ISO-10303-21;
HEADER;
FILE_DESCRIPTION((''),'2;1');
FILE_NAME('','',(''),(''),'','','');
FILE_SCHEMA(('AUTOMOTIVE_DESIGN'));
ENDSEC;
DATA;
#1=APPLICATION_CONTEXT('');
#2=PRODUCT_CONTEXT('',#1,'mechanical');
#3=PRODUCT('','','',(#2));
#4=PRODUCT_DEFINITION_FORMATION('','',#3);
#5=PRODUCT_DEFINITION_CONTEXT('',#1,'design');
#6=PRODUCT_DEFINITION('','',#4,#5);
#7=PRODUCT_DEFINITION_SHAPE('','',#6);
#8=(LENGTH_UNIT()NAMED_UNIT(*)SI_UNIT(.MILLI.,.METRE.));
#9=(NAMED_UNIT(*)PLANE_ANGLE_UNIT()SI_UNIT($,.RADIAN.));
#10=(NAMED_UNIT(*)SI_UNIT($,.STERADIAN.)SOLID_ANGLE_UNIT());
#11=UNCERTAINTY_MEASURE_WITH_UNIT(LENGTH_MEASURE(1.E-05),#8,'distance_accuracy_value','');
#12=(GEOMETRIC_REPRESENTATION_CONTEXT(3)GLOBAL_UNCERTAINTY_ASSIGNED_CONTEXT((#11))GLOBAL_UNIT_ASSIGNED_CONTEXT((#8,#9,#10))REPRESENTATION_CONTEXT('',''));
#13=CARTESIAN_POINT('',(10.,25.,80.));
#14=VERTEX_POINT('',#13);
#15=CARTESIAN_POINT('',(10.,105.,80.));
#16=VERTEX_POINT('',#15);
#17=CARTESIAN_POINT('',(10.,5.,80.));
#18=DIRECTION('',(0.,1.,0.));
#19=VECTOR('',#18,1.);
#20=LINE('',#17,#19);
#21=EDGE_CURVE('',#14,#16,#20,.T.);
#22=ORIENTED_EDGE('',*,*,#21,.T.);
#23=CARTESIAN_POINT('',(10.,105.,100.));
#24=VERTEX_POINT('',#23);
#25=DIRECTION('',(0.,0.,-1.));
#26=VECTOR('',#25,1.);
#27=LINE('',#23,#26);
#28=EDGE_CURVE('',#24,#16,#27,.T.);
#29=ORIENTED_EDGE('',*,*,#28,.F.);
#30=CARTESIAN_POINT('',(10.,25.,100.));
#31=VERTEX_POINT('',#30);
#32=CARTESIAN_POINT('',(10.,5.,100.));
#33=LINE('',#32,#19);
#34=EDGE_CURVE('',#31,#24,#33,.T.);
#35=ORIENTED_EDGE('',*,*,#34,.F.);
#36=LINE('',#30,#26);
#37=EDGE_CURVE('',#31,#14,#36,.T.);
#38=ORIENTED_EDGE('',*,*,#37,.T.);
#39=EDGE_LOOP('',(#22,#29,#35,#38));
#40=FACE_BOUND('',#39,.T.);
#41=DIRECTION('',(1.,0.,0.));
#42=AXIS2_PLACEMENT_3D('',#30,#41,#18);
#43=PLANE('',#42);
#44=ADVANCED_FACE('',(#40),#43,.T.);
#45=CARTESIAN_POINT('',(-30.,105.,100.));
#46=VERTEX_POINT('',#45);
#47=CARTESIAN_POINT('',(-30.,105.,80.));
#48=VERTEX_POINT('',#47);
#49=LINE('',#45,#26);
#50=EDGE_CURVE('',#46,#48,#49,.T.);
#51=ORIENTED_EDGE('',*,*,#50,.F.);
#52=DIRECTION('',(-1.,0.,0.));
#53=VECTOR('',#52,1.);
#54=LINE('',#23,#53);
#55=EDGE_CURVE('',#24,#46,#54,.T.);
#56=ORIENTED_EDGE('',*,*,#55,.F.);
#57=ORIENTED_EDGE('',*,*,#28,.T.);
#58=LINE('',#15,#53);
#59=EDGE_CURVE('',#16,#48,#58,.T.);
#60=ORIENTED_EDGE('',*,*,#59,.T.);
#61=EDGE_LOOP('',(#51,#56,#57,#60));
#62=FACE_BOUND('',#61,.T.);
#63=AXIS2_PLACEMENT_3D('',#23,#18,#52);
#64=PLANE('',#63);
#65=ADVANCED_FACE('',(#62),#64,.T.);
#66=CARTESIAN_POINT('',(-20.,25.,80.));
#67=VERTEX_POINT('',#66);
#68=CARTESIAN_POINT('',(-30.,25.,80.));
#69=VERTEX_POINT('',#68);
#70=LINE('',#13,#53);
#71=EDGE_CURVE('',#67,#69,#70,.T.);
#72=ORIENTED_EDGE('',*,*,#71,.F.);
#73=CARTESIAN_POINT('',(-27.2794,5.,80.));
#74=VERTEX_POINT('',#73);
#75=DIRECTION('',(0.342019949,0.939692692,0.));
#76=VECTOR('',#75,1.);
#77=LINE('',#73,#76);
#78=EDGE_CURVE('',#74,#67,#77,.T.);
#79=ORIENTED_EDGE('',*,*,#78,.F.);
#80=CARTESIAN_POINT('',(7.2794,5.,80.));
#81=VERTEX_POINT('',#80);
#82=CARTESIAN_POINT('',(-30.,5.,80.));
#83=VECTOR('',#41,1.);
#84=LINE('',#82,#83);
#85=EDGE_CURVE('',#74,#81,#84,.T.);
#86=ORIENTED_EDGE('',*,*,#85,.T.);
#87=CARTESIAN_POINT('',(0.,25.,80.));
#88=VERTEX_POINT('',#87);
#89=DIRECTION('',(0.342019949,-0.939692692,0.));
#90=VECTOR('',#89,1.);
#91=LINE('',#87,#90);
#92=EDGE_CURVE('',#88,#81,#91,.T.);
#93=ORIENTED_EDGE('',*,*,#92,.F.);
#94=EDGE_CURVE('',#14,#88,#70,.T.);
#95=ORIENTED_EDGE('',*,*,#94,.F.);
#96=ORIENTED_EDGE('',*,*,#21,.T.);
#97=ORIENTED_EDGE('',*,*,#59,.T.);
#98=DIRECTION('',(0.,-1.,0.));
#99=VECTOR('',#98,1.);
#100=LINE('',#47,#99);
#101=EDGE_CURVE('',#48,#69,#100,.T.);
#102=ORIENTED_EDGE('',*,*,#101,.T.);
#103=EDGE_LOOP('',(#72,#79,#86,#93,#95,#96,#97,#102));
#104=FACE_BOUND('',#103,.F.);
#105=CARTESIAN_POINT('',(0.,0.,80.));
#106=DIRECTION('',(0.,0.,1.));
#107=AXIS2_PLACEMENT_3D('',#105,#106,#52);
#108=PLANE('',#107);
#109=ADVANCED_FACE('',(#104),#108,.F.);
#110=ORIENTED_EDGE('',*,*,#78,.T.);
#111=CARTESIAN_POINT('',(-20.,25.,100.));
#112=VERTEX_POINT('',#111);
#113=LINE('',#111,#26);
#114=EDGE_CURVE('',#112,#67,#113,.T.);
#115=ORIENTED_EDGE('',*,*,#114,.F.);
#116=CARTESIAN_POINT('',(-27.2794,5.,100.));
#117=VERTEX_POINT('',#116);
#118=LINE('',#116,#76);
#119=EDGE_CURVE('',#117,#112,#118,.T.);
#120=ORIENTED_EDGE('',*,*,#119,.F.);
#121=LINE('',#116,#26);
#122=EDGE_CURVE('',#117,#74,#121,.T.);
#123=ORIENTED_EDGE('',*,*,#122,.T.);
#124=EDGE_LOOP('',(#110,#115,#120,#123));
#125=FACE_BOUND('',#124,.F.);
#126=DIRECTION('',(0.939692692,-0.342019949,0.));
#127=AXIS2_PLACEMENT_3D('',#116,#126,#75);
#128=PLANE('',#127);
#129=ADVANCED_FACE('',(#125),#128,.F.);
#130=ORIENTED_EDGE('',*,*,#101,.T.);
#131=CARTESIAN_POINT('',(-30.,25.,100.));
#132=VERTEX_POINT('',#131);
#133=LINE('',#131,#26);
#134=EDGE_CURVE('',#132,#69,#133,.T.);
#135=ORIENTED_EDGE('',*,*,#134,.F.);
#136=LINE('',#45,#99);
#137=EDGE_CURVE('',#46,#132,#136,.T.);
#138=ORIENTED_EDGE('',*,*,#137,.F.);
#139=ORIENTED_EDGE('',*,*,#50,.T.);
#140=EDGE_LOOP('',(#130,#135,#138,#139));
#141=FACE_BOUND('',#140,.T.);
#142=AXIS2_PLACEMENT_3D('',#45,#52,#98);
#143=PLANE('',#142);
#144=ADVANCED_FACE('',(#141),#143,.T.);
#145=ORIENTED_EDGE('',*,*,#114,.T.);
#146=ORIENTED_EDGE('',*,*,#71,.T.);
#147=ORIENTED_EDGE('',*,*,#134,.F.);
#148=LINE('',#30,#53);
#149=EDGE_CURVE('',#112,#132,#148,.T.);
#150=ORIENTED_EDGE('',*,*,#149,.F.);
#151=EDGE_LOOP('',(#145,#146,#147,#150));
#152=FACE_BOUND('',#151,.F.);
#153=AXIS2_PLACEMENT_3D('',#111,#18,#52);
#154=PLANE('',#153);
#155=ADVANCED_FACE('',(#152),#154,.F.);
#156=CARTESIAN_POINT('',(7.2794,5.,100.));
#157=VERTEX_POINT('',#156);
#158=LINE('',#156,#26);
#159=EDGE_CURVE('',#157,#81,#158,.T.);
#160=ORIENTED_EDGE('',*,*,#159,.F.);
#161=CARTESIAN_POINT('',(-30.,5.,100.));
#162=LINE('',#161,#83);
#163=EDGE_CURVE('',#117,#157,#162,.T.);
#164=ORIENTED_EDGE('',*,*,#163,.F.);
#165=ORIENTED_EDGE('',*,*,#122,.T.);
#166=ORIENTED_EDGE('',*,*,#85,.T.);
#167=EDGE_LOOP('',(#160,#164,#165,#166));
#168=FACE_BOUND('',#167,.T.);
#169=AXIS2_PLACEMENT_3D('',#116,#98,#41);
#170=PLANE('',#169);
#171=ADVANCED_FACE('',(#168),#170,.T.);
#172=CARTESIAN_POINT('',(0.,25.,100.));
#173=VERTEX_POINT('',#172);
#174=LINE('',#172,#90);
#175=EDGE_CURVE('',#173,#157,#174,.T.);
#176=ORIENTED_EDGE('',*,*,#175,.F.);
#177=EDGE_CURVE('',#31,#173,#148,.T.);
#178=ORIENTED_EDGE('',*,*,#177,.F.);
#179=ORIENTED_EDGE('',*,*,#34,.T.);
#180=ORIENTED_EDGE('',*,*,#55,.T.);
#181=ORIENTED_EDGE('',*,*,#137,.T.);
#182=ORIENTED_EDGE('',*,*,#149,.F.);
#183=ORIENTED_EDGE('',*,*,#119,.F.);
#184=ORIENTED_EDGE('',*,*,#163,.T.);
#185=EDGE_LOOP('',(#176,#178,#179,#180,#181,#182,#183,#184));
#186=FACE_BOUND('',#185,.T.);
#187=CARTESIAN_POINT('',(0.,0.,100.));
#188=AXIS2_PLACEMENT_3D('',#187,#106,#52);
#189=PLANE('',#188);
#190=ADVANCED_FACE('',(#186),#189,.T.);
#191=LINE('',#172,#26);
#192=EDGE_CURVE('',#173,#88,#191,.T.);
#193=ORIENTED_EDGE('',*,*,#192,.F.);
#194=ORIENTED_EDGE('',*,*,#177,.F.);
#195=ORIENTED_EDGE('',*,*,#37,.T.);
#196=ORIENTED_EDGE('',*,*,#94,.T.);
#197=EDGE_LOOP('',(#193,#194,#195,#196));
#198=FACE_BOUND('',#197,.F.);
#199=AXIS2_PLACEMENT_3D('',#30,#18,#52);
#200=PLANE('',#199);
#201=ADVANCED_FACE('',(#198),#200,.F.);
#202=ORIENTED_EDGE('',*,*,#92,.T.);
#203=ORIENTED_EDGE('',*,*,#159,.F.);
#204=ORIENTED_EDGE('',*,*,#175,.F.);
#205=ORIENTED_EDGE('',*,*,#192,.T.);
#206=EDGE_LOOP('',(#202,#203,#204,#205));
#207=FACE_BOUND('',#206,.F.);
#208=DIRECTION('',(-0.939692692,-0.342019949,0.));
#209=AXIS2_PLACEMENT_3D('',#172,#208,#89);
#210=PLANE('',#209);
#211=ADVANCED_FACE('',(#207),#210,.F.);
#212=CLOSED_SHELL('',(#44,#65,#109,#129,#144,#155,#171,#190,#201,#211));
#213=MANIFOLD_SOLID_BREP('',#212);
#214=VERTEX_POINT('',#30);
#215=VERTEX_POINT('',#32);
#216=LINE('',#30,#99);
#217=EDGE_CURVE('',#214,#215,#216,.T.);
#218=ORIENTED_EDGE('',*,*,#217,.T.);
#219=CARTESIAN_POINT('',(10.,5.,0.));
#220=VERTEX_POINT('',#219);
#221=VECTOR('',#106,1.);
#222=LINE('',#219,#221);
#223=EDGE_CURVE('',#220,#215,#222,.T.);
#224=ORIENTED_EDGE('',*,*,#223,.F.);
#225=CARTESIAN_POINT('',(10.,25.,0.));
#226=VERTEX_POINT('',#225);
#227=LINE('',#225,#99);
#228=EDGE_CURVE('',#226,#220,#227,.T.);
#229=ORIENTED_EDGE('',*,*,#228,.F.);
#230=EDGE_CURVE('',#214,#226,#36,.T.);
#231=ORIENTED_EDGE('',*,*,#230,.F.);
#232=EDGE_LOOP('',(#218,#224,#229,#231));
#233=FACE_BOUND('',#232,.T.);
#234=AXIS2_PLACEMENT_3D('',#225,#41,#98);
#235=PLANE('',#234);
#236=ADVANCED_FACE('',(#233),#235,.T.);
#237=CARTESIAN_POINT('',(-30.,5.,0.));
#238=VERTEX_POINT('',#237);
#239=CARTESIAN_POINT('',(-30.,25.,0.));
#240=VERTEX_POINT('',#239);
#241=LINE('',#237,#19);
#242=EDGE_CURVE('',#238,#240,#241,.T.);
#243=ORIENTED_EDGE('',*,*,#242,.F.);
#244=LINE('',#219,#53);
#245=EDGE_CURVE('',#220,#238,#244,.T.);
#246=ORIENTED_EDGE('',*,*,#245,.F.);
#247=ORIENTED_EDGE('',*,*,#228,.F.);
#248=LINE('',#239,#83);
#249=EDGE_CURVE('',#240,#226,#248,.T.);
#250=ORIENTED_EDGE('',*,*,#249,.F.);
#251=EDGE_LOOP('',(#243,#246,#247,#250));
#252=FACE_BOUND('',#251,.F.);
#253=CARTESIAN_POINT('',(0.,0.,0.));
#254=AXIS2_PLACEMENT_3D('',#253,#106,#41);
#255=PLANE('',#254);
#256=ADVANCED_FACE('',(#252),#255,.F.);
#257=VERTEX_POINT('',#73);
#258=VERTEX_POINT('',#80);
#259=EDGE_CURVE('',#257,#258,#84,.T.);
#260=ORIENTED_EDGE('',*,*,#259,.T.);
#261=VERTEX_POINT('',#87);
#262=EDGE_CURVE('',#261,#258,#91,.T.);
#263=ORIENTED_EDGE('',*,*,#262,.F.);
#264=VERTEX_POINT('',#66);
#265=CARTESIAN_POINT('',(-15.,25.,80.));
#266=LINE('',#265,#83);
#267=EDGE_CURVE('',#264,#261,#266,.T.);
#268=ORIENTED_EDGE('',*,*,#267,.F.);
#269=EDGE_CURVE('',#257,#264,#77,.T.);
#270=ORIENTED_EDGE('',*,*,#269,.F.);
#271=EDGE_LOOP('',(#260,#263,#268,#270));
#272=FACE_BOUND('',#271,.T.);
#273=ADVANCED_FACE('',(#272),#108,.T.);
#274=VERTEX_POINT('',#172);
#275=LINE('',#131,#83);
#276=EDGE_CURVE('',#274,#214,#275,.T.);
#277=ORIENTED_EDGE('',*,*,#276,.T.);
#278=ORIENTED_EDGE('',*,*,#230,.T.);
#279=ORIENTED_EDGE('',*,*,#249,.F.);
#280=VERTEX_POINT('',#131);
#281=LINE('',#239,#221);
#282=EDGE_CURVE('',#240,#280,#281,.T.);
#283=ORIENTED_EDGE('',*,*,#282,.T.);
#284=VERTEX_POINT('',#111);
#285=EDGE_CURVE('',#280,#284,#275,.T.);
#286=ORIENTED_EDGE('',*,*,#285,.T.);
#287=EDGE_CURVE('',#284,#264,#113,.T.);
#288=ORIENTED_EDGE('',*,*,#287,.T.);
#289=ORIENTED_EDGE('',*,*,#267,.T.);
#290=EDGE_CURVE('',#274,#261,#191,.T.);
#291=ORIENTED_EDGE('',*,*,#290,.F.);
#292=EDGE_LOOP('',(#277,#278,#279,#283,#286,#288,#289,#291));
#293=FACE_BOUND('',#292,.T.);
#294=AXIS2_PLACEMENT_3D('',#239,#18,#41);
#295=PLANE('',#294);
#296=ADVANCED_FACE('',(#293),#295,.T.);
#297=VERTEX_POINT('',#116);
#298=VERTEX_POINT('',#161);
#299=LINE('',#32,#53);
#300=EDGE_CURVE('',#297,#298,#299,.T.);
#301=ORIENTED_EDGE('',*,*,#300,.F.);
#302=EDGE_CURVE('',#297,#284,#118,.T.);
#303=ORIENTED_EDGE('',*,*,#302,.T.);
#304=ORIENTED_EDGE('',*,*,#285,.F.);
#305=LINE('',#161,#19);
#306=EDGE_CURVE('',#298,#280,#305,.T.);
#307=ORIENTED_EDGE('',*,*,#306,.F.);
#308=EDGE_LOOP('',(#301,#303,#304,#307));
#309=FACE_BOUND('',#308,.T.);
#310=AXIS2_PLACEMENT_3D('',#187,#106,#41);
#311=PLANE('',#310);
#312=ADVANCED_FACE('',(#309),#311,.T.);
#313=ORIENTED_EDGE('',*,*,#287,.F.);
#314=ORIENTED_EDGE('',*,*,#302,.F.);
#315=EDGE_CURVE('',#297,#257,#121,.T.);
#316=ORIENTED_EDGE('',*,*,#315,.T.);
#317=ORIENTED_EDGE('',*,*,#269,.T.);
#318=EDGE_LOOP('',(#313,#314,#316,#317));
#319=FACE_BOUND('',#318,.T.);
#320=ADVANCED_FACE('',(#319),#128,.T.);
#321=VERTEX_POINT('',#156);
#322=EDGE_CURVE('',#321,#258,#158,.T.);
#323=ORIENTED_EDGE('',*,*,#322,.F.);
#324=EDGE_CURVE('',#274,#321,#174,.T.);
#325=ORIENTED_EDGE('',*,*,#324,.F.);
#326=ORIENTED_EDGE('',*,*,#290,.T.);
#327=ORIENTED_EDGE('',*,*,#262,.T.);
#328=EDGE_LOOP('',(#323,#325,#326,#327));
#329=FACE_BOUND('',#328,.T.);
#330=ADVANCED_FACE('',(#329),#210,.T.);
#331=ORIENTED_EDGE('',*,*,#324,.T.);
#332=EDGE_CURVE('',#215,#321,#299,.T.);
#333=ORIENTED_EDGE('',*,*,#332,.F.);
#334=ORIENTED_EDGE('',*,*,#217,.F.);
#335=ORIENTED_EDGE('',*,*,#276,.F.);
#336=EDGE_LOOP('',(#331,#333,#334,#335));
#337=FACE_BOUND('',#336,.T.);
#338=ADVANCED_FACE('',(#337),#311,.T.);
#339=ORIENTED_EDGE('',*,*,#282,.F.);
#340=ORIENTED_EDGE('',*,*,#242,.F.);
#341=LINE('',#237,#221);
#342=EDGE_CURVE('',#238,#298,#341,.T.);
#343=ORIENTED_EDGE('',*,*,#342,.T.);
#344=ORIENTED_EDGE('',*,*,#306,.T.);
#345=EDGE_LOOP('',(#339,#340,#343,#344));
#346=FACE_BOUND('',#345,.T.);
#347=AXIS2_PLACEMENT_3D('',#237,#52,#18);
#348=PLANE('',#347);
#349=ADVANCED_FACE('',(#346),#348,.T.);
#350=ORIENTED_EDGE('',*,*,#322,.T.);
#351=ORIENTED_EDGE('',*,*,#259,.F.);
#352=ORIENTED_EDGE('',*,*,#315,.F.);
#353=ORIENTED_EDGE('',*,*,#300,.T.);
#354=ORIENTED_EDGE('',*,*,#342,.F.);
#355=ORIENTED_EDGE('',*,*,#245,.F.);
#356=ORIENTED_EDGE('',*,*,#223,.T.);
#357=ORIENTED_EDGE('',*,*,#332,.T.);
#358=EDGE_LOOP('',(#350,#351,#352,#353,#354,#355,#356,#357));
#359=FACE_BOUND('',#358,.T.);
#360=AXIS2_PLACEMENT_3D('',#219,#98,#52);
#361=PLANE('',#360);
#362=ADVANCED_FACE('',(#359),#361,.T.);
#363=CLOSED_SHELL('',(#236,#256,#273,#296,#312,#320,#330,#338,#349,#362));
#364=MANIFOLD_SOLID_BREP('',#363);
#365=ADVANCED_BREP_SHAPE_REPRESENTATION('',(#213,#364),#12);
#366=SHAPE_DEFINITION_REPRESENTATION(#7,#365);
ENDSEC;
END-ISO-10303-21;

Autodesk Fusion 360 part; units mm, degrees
sketch "Base" plane through (0, 0, 0) normal (0, 0, 1) x (1, 0, 0)
  line L0 (-30, 25) -> (10, 25)
  line L1 (10, 25) -> (10, 5)
  line L2 (10, 5) -> (-30, 5)
  line L3 (-30, 5) -> (-30, 25)
  dimension "d6" = 40
  dimension "d7" = 20
extrude "Extrude1" add sketch "Base" along normal blind 100 makes body 1
sketch "Top" plane through (0, 0, 100) normal (0, 0, 1) x (-1, 0, 0)
  line L0 (30, -5) -> (-10, -5)
  line L1 (-10, -5) -> (-10, -25)
  line L2 (-10, -25) -> (30, -25)
  line L3 (30, -25) -> (30, -5)
  line L4 (30, -5) -> (-10, -5)
  line L5 (-10, -5) -> (-10, -105)
  line L6 (-10, -105) -> (30, -105)
  line L7 (30, -105) -> (30, -5)
  line L8 (-10, -25) -> (0, -25)
  line L9 (0, -25) -> (-7.2794, -5)
  line L10 (-7.2794, -5) -> (27.2794, -5)
  line L11 (27.2794, -5) -> (20, -25)
  line L12 (30, -25) -> (20, -25)
  dimension "d10" = 40
  dimension "d11" = 100
  dimension "d12" = 10
  dimension "d13" = 10
  dimension "d14" = 70
  dimension "d15" = 70
extrude "Extrude1'" add sketch "Top" against normal blind 20 separate body contours L0 L2 L4 L9 L10 L11 | L2 L5 L6 L7 L8 L12 makes body 2 in component "Top"
combine "Combine1" operation cut target body 1 tool bodies 2 keep tools
copy_body "Body->Comp1" bodies 1 removing the originals makes body 3 in component "Bottom"
component "Top" placed x (1, 0, 0) y (0, 1, 0) z (0, 0, 1) at (0, 0, 0)
component "Bottom" placed x (1, 0, 0) y (0, 1, 0) z (0, 0, 1) at (0, 0, 0)
equation "width = 40 mm"
equation "lenght = 100 mm"
equation "thickness = 20 mm"
equation "pin = 10 mm"
equation "angle = 70 deg"
equation "d6 = width"
equation "d7 = thickness"
equation "d8 = lenght"
equation "d10 = width"
equation "d11 = lenght"
equation "d12 = pin"
equation "d13 = pin"
equation "d14 = angle"
equation "d15 = angle"
equation "d16 = -thickness"
